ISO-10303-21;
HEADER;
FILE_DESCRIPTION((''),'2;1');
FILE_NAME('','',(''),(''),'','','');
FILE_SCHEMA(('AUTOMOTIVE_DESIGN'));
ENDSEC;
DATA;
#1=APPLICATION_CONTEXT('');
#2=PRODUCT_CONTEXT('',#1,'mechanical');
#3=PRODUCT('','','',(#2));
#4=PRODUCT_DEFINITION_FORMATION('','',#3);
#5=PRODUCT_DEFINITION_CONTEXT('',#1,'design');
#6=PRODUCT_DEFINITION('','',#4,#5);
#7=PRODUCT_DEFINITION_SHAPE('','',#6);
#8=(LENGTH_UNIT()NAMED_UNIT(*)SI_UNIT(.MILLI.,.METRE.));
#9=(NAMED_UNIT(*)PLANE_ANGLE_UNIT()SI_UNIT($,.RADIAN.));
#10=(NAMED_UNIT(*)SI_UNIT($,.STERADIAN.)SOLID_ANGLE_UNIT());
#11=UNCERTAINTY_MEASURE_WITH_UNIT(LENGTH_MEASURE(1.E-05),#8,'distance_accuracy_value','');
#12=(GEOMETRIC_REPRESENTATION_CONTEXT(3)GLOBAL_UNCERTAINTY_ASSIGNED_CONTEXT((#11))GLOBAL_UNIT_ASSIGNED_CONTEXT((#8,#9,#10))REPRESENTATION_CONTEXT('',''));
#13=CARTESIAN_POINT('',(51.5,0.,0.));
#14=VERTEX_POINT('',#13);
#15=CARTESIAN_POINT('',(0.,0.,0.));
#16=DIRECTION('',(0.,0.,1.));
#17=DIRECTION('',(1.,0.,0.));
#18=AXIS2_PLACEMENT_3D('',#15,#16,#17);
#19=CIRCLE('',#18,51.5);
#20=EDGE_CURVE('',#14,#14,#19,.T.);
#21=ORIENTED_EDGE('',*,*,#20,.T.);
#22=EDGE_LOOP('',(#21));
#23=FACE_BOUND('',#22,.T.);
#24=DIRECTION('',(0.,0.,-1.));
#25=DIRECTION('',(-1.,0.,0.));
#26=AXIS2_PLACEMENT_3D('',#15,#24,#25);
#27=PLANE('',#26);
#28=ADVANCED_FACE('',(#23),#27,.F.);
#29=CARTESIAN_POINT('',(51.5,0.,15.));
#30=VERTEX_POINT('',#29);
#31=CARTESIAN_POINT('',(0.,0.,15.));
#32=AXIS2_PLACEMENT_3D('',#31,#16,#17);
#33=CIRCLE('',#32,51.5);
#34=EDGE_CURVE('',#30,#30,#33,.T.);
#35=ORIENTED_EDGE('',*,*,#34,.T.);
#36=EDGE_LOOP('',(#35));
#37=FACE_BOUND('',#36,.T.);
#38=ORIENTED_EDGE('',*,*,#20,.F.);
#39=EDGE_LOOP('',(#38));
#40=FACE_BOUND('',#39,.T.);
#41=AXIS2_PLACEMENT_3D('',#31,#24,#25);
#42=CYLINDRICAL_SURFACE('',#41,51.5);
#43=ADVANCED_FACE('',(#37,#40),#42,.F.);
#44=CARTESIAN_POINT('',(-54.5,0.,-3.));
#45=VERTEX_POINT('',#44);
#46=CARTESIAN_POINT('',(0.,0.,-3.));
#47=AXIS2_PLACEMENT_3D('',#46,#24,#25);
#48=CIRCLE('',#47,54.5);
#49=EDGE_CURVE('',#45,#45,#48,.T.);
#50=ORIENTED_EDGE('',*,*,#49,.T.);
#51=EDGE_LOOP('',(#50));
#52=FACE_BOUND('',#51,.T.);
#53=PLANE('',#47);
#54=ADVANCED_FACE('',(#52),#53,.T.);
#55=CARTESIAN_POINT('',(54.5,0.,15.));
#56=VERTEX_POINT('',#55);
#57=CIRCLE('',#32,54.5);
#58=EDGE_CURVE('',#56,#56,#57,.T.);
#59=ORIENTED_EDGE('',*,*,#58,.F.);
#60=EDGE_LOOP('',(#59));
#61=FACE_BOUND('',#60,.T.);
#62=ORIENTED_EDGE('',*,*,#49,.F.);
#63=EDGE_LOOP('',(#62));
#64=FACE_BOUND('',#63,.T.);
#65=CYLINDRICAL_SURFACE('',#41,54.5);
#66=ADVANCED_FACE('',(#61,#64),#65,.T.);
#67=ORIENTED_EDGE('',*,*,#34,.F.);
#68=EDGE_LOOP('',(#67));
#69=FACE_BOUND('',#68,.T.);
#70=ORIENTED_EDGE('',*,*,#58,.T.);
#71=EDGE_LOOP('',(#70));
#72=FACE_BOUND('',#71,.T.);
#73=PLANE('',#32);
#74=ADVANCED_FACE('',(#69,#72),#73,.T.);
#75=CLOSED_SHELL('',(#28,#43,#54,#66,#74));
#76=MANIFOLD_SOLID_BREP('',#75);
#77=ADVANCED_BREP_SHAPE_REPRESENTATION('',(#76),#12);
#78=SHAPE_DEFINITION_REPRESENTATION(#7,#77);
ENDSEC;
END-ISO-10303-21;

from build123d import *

# Parameters (mm, degrees)
SKETCH1_R           = 54.5
SKETCH1_R_2         = 51.5
BOSS_EXTRUDE1_DEPTH = 15
BOSS_EXTRUDE2_START = 3
SKETCH2_R           = 54.5
BOSS_EXTRUDE2_DEPTH = 3


with BuildPart() as part:
    # Sketch1 → Boss-Extrude1 (new body)
    with BuildSketch(Plane.XY):
        Circle(SKETCH1_R)
        Circle(SKETCH1_R_2, mode=Mode.SUBTRACT)
    extrude(amount=BOSS_EXTRUDE1_DEPTH)

    # Sketch2 → Boss-Extrude2 (add)
    with BuildSketch(Plane(origin=(0, 0, 0), x_dir=(-1, 0, 0), z_dir=(0, 0, -1)).offset(BOSS_EXTRUDE2_START)):
        Circle(SKETCH2_R)
    extrude(amount=-BOSS_EXTRUDE2_DEPTH)


solid = part.part
